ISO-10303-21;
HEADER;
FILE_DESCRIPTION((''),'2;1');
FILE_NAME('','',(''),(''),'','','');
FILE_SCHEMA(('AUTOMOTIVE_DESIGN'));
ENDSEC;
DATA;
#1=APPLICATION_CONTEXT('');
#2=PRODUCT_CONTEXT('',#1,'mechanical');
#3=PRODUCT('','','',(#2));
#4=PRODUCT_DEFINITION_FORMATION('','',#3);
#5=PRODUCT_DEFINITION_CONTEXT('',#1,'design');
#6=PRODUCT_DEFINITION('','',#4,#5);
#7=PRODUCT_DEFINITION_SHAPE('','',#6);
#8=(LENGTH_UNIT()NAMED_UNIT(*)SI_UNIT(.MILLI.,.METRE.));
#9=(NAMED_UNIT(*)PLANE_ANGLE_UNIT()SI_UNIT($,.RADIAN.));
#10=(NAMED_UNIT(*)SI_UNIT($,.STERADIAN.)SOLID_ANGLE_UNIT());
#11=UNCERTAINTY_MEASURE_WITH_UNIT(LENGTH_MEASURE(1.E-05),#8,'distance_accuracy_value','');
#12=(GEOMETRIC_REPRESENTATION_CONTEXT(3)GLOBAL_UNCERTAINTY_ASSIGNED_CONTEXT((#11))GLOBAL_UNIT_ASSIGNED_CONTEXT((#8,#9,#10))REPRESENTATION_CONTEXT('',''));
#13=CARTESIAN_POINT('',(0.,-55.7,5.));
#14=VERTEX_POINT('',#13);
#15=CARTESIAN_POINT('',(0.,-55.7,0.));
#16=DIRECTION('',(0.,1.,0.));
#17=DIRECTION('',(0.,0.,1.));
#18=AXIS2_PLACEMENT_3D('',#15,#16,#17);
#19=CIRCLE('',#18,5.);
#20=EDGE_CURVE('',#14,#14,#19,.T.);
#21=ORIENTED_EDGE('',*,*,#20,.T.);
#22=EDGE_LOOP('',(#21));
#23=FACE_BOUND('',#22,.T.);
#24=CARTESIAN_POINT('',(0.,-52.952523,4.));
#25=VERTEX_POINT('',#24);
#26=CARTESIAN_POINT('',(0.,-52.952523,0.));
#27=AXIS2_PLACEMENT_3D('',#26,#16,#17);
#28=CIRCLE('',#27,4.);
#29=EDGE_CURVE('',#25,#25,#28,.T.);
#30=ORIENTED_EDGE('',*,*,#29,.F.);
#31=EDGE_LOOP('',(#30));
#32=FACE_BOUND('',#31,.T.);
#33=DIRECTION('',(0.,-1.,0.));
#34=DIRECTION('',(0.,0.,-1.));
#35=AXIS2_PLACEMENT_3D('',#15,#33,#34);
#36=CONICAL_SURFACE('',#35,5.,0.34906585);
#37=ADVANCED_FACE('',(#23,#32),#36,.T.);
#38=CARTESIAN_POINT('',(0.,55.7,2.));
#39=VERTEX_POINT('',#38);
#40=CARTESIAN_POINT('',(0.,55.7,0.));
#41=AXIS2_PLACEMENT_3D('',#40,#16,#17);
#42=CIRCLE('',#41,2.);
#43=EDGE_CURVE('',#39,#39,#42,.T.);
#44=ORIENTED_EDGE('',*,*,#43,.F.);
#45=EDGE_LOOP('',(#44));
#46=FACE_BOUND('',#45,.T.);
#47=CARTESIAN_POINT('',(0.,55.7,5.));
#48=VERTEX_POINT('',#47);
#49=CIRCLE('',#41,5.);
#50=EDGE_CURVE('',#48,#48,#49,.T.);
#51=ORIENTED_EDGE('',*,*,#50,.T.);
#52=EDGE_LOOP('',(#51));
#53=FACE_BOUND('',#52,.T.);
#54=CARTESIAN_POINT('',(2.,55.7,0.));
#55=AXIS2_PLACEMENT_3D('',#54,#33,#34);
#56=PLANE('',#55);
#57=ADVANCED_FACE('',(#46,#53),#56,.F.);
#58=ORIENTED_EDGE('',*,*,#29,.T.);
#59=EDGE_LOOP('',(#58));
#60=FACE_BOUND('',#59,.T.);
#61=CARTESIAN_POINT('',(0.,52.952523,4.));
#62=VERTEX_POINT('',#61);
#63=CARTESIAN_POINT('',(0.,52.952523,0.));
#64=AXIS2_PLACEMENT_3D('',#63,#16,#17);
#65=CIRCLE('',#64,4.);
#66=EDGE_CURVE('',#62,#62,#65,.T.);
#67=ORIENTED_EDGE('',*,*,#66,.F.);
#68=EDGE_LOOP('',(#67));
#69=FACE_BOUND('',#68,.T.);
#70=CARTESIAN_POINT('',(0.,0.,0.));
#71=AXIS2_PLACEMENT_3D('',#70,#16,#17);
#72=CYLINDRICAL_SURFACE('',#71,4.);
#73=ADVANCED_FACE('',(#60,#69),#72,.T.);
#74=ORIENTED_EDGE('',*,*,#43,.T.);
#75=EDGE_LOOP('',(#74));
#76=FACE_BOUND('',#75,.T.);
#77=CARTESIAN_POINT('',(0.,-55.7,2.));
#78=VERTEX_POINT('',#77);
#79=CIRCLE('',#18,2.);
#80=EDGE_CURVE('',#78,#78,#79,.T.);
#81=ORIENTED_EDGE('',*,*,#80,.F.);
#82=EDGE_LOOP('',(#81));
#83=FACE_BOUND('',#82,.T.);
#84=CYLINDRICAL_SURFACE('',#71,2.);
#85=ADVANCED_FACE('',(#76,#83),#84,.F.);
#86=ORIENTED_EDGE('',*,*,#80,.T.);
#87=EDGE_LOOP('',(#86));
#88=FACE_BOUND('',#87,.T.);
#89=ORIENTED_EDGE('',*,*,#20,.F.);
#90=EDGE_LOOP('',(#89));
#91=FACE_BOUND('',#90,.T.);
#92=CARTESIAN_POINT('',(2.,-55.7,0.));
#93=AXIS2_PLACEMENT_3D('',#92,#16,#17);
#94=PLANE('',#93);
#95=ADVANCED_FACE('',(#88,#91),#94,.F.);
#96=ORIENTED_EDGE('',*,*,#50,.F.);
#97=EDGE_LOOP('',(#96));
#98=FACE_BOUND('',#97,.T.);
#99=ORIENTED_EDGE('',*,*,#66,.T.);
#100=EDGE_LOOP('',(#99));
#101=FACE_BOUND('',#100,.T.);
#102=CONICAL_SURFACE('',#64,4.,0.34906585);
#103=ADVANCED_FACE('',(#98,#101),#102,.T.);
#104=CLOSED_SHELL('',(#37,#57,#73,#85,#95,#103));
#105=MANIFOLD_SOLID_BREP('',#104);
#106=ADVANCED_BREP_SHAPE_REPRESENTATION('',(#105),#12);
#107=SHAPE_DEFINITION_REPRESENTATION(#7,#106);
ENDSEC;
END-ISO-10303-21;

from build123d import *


with BuildPart() as part:
    # Sketch1 → Revolve1 (revolve)
    with BuildSketch(Plane.XY, mode=Mode.PRIVATE) as revolve1_sk:
        Polygon((2, -55.7), (5, -55.7), (4, -52.952522581), (4, 52.952522581), (5, 55.7), (2, 55.7), align=None)
    revolve(revolve1_sk.sketch.rotate(Axis((0, 0, 0), (0, -1, 0)), 90), axis=Axis((0, 0, 0), (0, -1, 0)))


solid = part.part
